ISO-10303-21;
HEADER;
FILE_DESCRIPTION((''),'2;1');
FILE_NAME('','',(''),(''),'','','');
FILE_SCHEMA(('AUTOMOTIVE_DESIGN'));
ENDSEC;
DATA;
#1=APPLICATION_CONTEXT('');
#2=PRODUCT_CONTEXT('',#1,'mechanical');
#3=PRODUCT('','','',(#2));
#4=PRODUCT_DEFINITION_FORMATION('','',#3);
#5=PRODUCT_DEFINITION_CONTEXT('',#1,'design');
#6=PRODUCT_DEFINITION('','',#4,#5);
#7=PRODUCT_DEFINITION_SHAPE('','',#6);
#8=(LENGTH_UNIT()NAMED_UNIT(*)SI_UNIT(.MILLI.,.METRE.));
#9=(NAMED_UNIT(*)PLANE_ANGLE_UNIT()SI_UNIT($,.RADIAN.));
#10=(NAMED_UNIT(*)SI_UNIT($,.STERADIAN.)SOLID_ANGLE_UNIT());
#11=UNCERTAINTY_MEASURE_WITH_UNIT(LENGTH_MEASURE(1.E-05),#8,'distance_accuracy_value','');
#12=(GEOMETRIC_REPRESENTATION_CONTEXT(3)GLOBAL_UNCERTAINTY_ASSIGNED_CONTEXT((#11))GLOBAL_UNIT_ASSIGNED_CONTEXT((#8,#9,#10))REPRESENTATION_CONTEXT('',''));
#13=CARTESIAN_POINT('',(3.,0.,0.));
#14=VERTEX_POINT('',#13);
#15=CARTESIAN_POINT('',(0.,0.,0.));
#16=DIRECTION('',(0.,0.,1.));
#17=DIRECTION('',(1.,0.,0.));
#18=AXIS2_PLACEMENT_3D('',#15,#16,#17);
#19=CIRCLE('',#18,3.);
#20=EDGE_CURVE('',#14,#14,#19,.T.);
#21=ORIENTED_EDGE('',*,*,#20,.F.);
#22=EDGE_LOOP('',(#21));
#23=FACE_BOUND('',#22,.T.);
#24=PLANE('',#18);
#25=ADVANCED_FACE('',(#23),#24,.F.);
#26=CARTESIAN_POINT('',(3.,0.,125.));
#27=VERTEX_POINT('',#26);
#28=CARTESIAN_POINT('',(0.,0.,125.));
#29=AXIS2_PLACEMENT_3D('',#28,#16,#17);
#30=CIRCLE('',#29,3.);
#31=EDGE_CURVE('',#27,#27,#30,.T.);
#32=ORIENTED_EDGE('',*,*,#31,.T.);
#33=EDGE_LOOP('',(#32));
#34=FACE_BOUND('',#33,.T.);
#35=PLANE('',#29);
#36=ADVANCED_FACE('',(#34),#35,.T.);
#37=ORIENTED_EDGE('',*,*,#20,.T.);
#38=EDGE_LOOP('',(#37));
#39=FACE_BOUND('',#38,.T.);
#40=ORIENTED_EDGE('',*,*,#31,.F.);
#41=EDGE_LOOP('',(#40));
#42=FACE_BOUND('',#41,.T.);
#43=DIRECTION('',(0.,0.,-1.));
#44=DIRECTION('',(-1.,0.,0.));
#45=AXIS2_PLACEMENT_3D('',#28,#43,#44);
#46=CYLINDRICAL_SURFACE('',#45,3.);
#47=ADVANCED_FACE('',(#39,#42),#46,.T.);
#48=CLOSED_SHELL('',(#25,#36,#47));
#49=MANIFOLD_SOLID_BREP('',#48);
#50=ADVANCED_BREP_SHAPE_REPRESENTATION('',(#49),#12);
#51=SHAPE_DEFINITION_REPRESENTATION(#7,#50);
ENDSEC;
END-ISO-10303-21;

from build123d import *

# Parameters (mm, degrees)
CROQUIS1_R              = 3
SALIENTE_EXTRUIR1_DEPTH = 125


with BuildPart() as part:
    # Croquis1 → Saliente-Extruir1 (new body)
    with BuildSketch(Plane.XY):
        Circle(CROQUIS1_R)
    extrude(amount=SALIENTE_EXTRUIR1_DEPTH)


solid = part.part
